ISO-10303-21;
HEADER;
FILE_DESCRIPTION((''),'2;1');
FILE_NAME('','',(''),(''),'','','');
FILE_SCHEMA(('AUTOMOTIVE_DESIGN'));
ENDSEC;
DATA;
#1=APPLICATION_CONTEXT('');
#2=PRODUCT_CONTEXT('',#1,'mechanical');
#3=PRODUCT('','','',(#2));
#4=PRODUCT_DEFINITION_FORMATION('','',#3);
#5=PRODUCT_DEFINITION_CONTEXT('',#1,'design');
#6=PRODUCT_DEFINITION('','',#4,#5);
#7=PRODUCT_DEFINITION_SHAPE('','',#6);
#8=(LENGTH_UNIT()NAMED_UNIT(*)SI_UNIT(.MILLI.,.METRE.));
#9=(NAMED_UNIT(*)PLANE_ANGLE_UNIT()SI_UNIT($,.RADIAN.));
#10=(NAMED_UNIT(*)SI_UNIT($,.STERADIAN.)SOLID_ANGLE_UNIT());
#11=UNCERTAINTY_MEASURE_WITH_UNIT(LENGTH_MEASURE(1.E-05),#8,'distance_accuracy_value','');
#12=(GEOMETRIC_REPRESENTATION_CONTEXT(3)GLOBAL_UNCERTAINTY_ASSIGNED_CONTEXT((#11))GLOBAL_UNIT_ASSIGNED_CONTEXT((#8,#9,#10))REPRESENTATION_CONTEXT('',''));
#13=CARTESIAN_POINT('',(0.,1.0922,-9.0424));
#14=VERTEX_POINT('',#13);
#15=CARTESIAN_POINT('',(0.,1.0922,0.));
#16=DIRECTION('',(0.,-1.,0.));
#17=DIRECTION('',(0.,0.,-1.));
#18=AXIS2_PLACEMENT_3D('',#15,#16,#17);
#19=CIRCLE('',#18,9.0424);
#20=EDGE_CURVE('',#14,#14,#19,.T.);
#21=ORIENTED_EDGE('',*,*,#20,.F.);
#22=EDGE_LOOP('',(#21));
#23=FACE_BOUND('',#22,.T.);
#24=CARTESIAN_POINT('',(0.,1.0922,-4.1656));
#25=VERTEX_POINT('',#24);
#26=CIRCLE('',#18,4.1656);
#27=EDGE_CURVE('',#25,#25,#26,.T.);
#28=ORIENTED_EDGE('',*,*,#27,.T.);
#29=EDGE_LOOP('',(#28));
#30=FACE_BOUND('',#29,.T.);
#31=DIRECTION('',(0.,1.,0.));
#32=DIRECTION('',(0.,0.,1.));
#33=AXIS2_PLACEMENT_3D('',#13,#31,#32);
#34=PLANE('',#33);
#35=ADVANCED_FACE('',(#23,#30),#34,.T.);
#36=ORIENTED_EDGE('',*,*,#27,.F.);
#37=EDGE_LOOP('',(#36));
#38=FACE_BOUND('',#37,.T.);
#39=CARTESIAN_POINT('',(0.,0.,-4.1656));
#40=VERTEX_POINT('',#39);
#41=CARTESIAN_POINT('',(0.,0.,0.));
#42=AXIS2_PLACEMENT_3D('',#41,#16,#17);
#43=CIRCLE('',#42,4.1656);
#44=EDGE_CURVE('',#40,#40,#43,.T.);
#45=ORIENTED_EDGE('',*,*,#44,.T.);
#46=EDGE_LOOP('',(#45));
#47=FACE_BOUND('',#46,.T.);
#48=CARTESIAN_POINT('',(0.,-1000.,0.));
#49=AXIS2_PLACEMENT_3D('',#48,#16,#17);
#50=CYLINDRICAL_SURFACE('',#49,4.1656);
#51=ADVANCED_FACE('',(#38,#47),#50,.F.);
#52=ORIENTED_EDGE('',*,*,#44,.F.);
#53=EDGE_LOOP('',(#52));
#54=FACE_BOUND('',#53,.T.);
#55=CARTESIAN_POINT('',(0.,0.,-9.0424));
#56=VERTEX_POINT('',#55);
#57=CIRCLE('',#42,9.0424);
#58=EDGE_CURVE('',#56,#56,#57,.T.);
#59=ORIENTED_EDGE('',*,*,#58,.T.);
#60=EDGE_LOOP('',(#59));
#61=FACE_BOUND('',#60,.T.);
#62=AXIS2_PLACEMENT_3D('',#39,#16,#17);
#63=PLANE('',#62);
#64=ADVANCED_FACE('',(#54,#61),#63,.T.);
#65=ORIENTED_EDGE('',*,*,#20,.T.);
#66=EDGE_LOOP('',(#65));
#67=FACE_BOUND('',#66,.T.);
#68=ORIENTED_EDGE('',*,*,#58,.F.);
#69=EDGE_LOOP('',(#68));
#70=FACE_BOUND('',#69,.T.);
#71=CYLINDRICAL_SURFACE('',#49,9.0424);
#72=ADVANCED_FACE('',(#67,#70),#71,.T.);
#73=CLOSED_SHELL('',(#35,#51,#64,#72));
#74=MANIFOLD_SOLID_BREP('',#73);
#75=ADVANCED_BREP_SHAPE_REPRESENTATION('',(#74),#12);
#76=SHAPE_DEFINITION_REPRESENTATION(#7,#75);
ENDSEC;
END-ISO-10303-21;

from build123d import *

# Parameters (mm, degrees)
SKETCH2_W = 4.8768
SKETCH2_H = 1.0922


with BuildPart() as part:
    # Sketch2 → Revolve1 (revolve)
    with BuildSketch(Plane(origin=(0, 0, 0), x_dir=(0, 0, -1), z_dir=(1, 0, 0))):
        with Locations((6.604, 0.5461)):
            Rectangle(SKETCH2_W, SKETCH2_H)
    revolve(axis=Axis((0, -1000, 0), (0, 1, 0)))


solid = part.part
